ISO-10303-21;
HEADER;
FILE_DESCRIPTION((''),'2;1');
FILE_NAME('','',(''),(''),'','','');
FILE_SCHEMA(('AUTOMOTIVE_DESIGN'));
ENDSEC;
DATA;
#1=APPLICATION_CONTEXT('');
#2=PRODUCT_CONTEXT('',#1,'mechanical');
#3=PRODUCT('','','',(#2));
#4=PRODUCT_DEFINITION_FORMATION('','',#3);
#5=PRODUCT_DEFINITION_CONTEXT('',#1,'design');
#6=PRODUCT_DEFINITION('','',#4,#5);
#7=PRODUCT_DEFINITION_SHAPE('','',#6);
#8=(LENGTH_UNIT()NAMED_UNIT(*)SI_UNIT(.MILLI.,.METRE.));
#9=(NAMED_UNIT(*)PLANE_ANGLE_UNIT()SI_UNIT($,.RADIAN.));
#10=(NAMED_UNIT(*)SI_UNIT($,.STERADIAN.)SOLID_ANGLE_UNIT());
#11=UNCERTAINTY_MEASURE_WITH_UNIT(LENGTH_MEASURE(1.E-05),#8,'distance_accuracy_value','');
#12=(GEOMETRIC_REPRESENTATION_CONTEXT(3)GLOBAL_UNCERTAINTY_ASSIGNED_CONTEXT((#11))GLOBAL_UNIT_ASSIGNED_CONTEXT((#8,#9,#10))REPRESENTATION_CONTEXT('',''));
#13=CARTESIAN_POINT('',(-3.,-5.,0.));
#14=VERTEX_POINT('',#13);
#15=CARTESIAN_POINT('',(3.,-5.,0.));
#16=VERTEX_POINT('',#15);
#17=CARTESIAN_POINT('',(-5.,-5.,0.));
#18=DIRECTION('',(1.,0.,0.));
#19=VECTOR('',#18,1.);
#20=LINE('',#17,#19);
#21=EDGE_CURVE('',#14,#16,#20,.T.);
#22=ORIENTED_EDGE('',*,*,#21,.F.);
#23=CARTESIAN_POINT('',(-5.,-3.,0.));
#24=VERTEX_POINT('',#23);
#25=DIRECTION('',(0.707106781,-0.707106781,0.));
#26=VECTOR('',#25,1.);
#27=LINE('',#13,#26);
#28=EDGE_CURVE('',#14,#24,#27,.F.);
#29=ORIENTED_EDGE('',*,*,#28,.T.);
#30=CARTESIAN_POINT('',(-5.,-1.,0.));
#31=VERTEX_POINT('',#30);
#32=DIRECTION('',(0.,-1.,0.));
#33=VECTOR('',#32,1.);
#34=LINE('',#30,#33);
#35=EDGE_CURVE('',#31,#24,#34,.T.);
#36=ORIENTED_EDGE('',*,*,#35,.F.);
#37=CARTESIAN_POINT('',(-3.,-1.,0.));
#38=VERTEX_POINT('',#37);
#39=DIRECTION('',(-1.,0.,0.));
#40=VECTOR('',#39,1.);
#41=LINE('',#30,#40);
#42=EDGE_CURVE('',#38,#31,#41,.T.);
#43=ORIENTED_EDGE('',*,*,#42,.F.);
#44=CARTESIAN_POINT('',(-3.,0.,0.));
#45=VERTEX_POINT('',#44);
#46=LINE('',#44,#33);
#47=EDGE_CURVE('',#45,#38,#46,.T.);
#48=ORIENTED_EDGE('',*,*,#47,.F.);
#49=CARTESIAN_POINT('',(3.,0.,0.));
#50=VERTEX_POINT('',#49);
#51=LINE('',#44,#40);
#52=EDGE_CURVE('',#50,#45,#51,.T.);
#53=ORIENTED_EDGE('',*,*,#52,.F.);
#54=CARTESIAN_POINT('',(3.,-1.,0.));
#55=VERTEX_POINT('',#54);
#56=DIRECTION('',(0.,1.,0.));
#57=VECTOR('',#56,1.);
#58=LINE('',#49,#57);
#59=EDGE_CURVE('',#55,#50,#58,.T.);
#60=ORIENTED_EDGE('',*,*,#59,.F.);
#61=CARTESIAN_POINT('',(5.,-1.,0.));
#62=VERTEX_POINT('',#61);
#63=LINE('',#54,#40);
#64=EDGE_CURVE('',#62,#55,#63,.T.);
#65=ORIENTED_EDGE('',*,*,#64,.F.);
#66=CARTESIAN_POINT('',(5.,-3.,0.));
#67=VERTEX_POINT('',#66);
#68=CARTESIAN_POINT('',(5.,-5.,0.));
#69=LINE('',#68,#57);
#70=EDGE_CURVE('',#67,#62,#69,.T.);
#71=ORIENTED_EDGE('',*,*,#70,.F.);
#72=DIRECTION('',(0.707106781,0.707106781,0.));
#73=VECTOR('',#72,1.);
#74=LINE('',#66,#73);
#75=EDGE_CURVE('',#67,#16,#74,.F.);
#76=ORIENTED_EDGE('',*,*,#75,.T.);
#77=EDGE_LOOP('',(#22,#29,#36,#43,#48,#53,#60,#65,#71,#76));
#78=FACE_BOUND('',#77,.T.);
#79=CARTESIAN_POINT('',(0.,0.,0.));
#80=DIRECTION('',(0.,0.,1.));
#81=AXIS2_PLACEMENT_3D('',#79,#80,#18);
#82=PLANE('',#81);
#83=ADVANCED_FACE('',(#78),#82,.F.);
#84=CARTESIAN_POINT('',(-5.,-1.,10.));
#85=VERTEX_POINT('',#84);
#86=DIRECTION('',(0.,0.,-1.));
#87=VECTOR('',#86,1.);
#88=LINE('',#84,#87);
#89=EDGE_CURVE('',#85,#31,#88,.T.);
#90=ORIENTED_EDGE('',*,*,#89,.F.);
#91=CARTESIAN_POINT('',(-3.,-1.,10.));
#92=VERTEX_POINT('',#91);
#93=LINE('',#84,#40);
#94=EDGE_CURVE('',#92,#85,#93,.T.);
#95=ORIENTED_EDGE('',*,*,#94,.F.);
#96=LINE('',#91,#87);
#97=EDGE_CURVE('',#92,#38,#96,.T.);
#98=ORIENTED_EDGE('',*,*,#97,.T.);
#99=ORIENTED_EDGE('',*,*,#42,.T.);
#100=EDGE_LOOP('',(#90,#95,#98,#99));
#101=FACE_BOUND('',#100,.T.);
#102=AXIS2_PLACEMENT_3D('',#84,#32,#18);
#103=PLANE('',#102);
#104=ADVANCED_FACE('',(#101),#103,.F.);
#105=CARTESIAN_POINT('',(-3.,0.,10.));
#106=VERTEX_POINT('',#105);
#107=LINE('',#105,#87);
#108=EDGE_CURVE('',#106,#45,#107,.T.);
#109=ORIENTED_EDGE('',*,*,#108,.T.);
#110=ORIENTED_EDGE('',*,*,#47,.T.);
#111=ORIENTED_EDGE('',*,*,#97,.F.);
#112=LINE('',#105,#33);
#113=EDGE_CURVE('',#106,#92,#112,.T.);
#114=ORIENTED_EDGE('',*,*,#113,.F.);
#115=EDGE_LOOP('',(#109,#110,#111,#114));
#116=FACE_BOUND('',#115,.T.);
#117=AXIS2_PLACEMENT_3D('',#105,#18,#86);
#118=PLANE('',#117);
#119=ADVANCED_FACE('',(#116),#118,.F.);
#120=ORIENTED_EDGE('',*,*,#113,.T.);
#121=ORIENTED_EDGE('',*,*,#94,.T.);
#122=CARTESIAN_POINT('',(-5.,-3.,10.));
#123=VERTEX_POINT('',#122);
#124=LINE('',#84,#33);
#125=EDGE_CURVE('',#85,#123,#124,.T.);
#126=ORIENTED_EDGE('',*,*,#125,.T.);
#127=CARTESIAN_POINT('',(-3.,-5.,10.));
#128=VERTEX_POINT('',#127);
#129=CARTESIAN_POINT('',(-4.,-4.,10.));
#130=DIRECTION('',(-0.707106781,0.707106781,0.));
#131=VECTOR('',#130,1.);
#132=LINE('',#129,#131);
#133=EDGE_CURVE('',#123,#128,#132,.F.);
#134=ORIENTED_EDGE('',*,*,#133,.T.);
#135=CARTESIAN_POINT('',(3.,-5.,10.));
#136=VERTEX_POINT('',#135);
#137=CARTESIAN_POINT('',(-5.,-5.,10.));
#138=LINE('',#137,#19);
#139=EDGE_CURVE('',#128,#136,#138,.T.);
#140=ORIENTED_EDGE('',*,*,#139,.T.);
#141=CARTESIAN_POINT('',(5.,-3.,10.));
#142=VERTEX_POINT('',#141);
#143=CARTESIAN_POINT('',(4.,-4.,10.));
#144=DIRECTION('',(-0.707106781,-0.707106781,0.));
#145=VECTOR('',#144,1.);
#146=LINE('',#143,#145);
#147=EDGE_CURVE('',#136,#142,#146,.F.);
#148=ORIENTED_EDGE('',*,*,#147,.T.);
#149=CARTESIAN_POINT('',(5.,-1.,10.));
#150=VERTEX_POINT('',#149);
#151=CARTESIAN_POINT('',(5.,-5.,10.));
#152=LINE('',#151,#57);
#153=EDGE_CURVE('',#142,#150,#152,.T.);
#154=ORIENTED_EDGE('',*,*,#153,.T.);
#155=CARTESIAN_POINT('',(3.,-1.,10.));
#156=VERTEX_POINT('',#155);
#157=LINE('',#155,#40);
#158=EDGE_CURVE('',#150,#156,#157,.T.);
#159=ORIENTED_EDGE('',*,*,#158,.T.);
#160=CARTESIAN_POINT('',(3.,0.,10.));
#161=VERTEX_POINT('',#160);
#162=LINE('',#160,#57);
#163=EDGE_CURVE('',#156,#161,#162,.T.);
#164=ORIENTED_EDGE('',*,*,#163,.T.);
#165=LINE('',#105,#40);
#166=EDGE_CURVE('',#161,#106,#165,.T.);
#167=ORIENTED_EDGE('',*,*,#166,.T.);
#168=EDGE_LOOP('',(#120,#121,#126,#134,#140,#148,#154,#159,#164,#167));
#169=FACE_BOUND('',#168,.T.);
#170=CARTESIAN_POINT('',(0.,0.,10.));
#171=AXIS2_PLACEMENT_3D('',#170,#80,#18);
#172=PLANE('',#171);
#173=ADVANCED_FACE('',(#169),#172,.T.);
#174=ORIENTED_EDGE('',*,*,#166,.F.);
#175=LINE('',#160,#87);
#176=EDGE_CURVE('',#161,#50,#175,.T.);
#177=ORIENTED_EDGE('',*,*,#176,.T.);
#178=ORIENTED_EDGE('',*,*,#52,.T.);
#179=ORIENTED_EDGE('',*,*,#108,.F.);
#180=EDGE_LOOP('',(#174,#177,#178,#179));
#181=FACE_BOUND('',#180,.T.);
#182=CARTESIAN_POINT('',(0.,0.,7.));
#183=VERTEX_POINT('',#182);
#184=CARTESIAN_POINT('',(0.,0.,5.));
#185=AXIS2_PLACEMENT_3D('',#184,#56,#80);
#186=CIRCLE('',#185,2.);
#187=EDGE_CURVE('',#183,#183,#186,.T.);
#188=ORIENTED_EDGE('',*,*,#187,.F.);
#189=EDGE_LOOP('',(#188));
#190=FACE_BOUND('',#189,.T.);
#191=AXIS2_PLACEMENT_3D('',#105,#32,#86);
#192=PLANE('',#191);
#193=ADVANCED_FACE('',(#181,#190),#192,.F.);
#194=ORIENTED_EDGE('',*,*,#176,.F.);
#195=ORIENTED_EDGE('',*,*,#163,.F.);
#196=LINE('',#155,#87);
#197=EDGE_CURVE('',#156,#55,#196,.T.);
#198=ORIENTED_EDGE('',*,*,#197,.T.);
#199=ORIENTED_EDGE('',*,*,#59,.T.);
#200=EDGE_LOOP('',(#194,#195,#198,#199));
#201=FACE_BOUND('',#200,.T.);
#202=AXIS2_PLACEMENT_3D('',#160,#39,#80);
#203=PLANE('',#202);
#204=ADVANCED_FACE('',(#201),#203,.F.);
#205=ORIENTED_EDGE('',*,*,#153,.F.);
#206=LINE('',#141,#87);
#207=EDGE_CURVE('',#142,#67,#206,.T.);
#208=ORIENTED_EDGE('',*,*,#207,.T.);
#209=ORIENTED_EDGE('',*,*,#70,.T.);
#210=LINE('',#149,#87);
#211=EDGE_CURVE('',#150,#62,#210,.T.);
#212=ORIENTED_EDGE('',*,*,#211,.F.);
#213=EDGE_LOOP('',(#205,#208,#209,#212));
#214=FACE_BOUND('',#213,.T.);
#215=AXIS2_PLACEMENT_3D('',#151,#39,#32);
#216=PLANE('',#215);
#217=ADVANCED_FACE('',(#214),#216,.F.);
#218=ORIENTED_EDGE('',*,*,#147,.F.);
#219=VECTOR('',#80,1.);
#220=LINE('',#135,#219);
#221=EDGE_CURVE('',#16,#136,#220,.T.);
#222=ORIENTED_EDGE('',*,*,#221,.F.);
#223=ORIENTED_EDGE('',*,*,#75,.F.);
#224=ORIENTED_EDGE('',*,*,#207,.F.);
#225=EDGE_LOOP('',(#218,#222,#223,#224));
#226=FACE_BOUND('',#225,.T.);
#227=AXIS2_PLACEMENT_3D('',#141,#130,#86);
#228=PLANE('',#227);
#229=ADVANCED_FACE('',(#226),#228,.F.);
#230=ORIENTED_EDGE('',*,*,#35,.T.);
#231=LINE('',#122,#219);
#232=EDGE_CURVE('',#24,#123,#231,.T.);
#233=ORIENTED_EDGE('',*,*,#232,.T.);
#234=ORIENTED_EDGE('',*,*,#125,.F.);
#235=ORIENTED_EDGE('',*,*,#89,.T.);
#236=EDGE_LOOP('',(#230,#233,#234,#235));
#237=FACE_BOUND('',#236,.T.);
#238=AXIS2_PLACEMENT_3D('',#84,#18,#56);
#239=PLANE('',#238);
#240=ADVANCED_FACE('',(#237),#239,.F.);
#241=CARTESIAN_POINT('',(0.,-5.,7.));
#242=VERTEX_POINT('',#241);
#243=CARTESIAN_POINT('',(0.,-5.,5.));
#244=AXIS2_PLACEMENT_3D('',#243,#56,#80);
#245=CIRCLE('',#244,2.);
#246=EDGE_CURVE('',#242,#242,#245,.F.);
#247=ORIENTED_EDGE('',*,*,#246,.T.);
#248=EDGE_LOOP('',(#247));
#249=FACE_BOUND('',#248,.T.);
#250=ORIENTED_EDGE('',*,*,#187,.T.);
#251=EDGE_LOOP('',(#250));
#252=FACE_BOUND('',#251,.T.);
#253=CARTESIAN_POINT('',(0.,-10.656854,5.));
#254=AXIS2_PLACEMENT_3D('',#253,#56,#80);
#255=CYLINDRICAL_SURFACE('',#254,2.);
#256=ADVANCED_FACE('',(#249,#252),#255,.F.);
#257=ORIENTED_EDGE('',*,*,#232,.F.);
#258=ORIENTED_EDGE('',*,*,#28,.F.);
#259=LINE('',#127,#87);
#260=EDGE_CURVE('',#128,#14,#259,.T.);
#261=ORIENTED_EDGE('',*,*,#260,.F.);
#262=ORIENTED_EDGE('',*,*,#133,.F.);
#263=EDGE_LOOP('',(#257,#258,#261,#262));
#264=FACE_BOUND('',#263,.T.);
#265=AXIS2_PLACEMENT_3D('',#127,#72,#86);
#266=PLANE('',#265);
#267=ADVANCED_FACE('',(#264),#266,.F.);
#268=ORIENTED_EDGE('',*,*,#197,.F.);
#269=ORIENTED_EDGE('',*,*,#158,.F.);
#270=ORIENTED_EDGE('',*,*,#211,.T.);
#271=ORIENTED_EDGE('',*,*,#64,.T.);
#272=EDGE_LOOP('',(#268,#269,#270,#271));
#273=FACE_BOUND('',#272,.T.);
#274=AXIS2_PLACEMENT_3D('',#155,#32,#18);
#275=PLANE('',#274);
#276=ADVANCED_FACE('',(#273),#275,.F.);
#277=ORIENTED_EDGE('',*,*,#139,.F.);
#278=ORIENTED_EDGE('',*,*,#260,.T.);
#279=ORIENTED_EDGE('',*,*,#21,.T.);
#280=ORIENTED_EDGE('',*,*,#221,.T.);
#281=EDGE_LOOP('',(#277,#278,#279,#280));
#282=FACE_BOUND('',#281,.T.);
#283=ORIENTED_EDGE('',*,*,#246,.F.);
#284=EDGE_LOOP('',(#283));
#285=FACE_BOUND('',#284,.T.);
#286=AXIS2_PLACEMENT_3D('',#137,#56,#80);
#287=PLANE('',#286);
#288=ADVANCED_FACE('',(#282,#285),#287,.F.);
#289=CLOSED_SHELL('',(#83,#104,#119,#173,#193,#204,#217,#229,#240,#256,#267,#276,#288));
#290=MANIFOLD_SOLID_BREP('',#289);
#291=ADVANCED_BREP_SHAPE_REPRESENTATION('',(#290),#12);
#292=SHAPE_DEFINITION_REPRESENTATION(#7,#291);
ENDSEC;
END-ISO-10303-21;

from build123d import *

# Parameters (mm, degrees)
RESSALTO_EXTRUS_O1_DEPTH = 10
CHANFRO1_SIZE            = 2
ESBO_O2_R                = 2
CORTE_EXTRUS_O1_DEPTH    = 5


with BuildPart() as part:
    # Esboço1 → Ressalto-extrusão1 (new body)
    with BuildSketch(Plane.XY):
        Polygon((-3, 0), (3, 0), (3, -1), (5, -1), (5, -5), (-5, -5), (-5, -1), (-3, -1), align=None)
    extrude(amount=RESSALTO_EXTRUS_O1_DEPTH)

    # Chanfro1
    chanfro1_edges = [part.edges().sort_by_distance(p)[0] for p in [
        (5, -5, 5),
        (-5, -5, 5),
    ]]
    chamfer(chanfro1_edges, length=CHANFRO1_SIZE)

    # Esboço2 → Corte-extrusão1 (cut)
    with BuildSketch(Plane(origin=(0, 0, 0), x_dir=(1, 0, 0), z_dir=(0, 1, 0))):
        with Locations(Location((0, -5, 0), (0, 0, 270))):
            Circle(ESBO_O2_R)
    extrude(amount=-CORTE_EXTRUS_O1_DEPTH, mode=Mode.SUBTRACT)


solid = part.part
